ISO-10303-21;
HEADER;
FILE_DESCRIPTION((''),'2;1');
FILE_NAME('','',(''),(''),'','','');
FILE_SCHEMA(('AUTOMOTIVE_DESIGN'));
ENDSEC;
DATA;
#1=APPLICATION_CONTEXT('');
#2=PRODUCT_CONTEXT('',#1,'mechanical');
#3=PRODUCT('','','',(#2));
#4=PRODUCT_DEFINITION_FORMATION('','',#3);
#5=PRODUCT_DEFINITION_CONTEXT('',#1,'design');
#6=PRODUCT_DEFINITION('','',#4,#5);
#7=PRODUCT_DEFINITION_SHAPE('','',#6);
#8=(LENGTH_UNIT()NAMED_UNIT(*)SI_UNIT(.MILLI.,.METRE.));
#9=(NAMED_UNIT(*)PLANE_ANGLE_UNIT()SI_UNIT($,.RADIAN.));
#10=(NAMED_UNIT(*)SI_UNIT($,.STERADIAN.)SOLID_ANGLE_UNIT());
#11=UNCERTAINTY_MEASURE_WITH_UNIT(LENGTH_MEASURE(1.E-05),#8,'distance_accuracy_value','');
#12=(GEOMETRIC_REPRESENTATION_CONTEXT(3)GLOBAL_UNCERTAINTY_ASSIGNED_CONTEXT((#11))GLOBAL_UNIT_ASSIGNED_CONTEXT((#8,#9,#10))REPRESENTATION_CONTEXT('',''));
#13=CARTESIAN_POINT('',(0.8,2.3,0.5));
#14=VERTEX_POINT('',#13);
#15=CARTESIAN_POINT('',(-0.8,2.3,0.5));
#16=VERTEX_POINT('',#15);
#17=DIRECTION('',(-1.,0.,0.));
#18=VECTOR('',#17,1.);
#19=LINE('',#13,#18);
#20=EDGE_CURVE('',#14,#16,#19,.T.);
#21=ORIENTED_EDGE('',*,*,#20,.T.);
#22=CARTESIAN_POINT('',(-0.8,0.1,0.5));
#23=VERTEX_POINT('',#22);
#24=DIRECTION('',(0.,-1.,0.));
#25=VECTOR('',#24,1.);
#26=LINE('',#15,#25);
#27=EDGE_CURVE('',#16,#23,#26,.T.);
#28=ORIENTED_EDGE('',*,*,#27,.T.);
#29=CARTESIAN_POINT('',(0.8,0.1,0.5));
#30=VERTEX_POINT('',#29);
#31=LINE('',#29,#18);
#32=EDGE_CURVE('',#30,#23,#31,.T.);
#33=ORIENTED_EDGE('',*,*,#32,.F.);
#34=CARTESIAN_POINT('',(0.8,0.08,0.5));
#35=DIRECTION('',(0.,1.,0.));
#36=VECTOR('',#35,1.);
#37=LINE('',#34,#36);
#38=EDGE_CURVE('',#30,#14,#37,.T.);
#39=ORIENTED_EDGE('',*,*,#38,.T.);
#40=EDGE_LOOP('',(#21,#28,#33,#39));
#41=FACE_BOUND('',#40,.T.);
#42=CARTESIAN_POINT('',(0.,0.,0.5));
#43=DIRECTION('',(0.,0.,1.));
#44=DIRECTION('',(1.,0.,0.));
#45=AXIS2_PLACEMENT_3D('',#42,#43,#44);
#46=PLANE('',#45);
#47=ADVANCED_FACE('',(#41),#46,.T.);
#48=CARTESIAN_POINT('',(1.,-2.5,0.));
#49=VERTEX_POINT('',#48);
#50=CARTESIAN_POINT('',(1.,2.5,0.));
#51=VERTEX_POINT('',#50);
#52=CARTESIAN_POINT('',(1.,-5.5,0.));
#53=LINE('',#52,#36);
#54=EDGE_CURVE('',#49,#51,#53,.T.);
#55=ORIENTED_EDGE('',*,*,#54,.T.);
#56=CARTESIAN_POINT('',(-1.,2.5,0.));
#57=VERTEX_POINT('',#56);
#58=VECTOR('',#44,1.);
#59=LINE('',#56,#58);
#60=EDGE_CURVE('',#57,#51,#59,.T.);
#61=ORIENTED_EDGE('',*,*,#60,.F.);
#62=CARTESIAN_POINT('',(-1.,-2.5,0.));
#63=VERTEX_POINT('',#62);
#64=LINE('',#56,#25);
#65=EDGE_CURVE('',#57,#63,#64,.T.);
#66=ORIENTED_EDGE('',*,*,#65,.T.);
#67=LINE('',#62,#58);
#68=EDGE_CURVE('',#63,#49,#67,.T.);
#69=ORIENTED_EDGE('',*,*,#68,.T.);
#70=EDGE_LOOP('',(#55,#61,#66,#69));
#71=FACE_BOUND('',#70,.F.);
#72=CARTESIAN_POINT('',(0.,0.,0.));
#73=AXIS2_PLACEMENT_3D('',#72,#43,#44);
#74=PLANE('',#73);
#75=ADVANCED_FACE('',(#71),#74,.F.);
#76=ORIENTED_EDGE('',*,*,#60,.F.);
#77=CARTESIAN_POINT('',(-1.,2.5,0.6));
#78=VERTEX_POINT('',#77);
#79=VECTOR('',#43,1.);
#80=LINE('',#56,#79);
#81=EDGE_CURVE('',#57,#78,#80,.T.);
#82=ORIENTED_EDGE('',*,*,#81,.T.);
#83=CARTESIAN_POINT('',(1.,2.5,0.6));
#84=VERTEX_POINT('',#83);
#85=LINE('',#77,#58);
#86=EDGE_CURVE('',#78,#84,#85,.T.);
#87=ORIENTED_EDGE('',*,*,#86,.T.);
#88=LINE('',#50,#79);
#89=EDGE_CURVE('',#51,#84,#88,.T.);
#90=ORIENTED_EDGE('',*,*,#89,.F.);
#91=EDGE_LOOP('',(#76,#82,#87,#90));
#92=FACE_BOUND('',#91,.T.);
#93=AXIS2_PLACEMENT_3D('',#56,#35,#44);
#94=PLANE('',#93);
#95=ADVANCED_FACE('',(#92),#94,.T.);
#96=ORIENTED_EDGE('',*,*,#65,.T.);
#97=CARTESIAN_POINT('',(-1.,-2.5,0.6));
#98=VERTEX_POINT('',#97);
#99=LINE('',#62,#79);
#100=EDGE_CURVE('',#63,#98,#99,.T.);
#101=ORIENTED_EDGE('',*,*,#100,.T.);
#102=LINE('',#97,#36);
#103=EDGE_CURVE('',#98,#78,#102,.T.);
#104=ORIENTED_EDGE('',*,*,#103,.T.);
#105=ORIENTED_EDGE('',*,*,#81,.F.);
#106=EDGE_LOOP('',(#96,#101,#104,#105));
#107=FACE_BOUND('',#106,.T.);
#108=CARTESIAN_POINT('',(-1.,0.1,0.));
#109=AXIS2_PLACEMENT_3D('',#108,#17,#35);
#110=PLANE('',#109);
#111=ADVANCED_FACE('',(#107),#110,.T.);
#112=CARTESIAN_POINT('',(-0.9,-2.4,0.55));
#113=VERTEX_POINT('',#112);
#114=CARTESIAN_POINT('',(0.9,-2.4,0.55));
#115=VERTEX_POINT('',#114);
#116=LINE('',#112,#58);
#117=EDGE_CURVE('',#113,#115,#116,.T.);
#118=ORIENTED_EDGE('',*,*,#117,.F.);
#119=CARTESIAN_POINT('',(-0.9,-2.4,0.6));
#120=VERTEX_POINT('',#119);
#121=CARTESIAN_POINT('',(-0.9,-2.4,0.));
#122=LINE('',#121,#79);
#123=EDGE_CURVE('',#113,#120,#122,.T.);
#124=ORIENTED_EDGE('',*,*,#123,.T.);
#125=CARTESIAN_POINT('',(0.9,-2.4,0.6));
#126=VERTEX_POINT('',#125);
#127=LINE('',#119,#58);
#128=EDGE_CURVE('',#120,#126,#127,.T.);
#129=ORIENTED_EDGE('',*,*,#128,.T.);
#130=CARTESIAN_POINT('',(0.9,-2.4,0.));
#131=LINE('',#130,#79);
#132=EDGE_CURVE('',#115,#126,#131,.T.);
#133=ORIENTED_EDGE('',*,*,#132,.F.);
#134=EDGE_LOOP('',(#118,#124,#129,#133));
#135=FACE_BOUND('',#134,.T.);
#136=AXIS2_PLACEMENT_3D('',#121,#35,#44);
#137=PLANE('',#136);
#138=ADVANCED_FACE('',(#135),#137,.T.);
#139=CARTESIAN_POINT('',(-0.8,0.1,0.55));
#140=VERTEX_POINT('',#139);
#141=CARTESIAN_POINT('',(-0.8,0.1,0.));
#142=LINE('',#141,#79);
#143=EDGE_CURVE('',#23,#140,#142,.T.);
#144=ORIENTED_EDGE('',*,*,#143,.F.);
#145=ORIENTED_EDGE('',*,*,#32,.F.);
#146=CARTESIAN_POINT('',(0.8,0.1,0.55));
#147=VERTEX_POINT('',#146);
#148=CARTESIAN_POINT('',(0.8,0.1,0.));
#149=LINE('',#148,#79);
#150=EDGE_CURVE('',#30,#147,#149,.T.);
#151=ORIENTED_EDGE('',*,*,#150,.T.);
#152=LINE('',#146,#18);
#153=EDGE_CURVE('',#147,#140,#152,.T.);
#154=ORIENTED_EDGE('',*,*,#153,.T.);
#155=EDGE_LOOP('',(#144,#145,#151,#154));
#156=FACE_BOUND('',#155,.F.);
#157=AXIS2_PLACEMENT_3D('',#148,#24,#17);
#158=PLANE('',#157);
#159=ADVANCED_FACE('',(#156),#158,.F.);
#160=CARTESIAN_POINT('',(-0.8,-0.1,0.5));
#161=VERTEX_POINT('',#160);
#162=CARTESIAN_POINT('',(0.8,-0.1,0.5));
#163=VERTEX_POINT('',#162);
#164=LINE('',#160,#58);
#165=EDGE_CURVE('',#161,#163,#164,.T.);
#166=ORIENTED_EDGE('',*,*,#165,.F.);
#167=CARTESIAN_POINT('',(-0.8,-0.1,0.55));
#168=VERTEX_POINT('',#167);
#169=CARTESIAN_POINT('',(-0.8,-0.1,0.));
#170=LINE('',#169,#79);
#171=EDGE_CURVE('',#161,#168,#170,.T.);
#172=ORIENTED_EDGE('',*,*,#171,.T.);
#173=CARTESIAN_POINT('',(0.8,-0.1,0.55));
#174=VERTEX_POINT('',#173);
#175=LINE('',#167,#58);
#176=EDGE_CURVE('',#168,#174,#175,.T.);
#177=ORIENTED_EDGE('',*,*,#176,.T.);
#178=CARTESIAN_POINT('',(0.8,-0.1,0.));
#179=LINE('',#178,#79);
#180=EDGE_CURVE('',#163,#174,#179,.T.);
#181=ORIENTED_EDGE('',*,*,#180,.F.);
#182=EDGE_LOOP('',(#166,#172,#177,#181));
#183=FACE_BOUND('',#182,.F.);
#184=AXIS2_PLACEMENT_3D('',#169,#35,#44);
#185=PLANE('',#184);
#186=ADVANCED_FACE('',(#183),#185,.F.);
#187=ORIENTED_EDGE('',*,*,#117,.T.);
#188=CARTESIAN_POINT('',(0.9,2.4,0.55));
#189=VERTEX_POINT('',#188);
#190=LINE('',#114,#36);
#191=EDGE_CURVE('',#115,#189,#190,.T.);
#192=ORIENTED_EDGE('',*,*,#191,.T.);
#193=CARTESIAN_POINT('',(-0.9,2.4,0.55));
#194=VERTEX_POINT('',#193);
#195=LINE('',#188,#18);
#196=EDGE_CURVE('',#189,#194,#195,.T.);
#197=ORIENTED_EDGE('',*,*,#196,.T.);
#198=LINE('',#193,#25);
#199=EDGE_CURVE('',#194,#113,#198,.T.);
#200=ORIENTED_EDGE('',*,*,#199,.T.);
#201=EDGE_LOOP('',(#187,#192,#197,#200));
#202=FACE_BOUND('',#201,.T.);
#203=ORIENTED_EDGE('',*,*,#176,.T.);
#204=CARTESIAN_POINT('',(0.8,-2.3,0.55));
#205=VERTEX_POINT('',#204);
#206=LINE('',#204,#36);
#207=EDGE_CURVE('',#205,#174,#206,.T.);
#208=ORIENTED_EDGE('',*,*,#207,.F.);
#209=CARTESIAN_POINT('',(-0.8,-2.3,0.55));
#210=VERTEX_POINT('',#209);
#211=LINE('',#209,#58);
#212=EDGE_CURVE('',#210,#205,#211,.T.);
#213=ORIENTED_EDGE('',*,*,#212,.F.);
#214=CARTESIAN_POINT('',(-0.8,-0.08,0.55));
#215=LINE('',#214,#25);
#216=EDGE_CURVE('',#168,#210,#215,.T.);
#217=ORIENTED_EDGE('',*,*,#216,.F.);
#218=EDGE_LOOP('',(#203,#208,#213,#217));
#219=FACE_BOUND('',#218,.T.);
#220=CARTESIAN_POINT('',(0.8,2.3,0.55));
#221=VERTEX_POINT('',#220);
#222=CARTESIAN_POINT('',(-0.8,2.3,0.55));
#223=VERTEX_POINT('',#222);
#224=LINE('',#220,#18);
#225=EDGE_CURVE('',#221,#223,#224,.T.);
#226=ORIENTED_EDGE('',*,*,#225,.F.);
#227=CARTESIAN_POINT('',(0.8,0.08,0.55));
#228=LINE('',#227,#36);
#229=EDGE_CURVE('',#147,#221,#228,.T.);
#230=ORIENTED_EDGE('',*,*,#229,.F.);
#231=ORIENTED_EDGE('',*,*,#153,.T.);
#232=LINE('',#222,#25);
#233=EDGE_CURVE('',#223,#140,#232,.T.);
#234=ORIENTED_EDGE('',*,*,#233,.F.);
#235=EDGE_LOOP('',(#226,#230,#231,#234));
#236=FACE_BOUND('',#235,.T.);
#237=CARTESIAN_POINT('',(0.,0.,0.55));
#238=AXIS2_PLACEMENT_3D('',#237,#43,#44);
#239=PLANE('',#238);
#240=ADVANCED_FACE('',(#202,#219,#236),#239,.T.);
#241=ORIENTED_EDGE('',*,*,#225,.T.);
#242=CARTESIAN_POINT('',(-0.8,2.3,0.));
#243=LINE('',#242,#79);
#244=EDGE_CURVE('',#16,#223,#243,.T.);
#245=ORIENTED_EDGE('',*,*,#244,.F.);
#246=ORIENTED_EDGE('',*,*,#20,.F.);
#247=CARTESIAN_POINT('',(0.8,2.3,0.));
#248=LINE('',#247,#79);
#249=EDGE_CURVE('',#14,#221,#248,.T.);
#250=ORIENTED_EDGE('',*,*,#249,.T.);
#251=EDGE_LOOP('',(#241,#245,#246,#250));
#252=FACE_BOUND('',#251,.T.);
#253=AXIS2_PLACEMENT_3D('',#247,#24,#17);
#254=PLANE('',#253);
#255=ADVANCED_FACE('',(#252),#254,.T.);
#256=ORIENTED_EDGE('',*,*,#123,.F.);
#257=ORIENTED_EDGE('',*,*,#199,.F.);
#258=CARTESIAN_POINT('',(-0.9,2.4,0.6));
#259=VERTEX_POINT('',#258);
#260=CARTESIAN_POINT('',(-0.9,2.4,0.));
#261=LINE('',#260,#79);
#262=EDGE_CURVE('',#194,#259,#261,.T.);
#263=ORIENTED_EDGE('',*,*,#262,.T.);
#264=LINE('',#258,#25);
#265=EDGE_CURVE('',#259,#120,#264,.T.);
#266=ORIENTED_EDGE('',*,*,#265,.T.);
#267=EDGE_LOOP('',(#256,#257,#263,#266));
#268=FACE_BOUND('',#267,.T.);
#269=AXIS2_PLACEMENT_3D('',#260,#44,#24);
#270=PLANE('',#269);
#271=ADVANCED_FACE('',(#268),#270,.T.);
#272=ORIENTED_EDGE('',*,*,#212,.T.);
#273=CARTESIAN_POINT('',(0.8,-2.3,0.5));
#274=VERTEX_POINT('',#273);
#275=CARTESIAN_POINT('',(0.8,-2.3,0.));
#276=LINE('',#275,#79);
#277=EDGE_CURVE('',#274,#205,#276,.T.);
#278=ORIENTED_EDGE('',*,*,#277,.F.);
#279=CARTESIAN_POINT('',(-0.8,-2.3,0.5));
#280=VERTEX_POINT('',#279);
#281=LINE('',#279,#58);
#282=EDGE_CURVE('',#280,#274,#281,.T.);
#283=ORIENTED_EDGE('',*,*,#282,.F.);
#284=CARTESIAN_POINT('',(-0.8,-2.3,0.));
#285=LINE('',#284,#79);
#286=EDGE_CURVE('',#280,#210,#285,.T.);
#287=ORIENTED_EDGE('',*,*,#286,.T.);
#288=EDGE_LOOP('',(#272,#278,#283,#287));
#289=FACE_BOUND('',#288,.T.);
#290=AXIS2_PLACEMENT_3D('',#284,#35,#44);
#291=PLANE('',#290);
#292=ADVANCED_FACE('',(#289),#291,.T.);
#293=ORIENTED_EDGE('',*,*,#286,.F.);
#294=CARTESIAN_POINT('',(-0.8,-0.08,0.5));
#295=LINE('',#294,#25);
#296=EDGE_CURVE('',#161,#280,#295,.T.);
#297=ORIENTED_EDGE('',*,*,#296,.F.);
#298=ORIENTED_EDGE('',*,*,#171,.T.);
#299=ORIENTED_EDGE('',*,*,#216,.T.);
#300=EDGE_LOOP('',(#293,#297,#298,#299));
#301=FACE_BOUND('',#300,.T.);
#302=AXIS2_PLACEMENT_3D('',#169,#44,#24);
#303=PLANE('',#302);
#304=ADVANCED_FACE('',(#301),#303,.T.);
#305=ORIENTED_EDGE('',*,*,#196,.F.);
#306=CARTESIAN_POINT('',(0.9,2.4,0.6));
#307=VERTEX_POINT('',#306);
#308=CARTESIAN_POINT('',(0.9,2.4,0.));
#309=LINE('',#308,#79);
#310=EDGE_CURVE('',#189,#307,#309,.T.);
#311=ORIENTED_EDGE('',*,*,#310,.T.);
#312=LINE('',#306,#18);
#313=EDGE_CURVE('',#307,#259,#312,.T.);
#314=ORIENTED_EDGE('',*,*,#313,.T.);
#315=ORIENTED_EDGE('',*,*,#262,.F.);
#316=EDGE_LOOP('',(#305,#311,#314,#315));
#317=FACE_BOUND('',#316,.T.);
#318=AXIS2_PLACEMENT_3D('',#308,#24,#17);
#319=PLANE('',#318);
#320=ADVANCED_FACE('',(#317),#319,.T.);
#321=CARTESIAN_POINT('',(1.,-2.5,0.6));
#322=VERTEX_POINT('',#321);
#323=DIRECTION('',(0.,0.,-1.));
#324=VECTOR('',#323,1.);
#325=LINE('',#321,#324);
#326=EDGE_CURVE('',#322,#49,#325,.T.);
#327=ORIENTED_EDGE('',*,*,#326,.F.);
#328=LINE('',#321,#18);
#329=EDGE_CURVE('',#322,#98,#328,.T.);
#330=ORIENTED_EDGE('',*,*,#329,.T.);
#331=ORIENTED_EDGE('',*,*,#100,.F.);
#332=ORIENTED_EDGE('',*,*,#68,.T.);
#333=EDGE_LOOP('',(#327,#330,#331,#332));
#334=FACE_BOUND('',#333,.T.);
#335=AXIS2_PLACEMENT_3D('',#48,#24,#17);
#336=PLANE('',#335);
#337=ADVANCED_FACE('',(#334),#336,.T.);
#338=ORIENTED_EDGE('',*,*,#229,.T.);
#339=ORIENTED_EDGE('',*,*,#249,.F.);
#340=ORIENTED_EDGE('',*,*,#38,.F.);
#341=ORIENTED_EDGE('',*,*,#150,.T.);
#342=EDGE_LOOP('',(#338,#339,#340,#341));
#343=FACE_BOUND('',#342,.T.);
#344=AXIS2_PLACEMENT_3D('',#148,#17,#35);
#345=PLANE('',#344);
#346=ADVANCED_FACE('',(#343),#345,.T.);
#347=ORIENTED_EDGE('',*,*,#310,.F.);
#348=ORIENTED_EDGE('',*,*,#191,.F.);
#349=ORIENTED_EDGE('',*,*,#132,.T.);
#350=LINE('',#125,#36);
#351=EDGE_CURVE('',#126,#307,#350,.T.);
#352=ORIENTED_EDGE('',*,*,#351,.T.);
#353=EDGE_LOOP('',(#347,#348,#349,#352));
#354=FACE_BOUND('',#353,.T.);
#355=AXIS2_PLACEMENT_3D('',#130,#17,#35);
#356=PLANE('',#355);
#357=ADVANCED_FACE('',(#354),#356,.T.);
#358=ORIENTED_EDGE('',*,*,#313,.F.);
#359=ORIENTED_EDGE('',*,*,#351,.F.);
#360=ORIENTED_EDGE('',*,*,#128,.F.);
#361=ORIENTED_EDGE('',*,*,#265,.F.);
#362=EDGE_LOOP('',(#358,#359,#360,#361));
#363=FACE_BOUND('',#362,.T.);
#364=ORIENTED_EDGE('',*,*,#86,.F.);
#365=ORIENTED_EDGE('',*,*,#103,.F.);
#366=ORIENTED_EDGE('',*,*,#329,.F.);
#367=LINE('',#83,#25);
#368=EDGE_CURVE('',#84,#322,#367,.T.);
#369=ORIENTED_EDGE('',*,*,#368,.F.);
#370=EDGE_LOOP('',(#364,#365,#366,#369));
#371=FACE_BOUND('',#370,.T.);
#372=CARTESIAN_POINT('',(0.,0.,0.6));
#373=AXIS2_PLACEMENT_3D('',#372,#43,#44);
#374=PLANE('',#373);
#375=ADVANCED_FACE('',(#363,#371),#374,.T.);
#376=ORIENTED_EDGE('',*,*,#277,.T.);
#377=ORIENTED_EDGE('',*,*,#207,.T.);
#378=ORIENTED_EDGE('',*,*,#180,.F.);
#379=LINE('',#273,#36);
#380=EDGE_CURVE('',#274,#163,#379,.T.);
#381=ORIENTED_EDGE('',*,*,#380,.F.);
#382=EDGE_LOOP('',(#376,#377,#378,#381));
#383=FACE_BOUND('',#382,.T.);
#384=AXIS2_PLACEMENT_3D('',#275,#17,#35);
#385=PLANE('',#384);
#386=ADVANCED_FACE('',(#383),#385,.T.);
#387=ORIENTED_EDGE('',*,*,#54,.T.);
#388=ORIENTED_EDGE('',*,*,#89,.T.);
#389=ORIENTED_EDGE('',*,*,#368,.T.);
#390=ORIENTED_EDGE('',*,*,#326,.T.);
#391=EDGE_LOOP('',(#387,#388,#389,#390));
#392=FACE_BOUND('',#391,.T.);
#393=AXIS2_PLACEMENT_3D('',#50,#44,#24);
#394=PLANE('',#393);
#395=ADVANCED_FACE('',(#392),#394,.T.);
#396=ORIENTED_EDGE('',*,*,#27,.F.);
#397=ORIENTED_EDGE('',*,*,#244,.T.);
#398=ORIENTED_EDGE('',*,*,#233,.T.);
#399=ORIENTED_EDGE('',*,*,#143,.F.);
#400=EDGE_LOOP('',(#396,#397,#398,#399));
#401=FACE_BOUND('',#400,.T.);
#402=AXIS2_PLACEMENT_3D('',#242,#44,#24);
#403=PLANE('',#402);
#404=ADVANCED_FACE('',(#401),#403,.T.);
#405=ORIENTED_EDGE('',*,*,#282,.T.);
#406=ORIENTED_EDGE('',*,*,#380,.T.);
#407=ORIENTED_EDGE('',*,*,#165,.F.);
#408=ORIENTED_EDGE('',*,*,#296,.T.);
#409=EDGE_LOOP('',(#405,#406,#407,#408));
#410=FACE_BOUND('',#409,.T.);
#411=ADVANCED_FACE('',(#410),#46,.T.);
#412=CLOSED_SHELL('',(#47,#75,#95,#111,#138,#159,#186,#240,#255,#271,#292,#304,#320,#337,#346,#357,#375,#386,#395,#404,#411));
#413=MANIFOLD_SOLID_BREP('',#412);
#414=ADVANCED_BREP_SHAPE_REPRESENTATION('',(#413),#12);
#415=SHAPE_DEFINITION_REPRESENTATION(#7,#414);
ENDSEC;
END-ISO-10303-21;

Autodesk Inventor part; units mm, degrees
ref_plane "YZ Plane" through (0, 0, 0) normal (1, 0, 0) x (0, 1, 0)
ref_plane "XZ Plane" through (0, 0, 0) normal (0, 1, 0) x (-1, 0, 0)
ref_plane "XY Plane" through (0, 0, 0) normal (0, 0, 1) x (1, 0, 0)
sketch "草圖1" plane through (0, 0, 0) normal (0, 0, 1) x (1, 0, 0)
  line L0 (-1, 2.5) -> (1, 2.5)
  line L1 (1, 2.5) -> (1, -2.5)
  line L2 (1, -2.5) -> (-1, -2.5)
  line L3 (-1, -2.5) -> (-1, 2.5)
  line L4 (-1, 2.5) -> (1, -2.5) construction
  line L5 (1, 2.5) -> (-1, -2.5) construction
  line L6 (-0.8, -0.1) -> (0.8, -0.1)
  line L7 (1, -0.1) -> (1, 0.1)
  line L8 (0.8, 0.1) -> (-0.8, 0.1)
  line L9 (-1, 0.1) -> (-1, -0.1)
  line L10 (-1, -0.1) -> (1, 0.1) construction
  line L11 (1, -0.1) -> (-1, 0.1) construction
  line L12 (-0.8, -2.3) -> (0.8, -2.3)
  line L13 (0.8, 2.3) -> (-0.8, 2.3)
  line L14 (-0.8, 2.3) -> (0.8, -2.3) construction
  line L15 (-0.8, -2.3) -> (0.8, 2.3) construction
  line L16 (0.8, -2.3) -> (0.8, -0.08)
  line L17 (0.8, 0.08) -> (0.8, 2.3)
  line L18 (-0.8, 2.3) -> (-0.8, 0.08)
  line L19 (-0.8, -0.08) -> (-0.8, -2.3)
  line L20 (-1, -2.5) -> (1, -2.5)
  line L21 (1, -2.5) -> (1, -5.5)
  line L22 (1, -5.5) -> (-1, -5.5)
  line L23 (-1, -5.5) -> (-1, -2.5)
  line L24 (-0.9, -2.4) -> (0.9, -2.4)
  line L25 (0.9, -2.4) -> (0.9, 2.4)
  line L26 (0.9, 2.4) -> (-0.9, 2.4)
  line L27 (-0.9, 2.4) -> (-0.9, -2.4)
  line L28 (-0.9, -2.4) -> (0.9, 2.4) construction
  line L29 (0.9, -2.4) -> (-0.9, 2.4) construction
  point P0 (0, 0)
  dimension "d0" = 2
  dimension "d1" = 5
  dimension "d4" = 0.2
  dimension "d5" = 4.6
  dimension "d6" = 1.6
  dimension "d7" = 3
  dimension "d12" = 1.8
  dimension "d13" = 4.8
extrude "擠出4" add sketch "草圖1" along normal blind 0.6 contours L0 L1 L2 L3
extrude "擠出5" add sketch "草圖1" along normal blind 0.55 contours L27 L26 L25 L24
extrude "擠出6" add sketch "草圖1" along normal blind 0.5 contours L2 L21 L22 L23 | L6 L16 L12 L19 | L8 L18 L13 L17
sketch "草圖3" plane through (-1, -2.5, 0.6) normal (-1, 0, 0) x (0, 0, 1)
  line L0 (-0.6, 5) -> (-0.6, -3) projected
  line L1 (-0.6, -3) -> (-0.1, -3) projected
  line L2 (-0.1, 0) -> (-0.1, -3) projected
  line L3 (-0.1, 0) -> (0, 0) projected
  line L4 (0, 5) -> (0, 0) projected
  line L5 (-0.6, 5) -> (0, 5) projected
  line L6 (-0.6, 0) -> (-0.1, 0)
  line L7 (-0.1, 0) -> (-0.1, -3)
  line L8 (-0.1, -3) -> (-0.6, -3)
  line L9 (-0.6, -3) -> (-0.6, 0)
  point P0 (-0.6, 2.5)
extrude "擠出8" cut sketch "草圖3" against normal blind 2 contours L6 L2 L1 L0
properties part number "窗_無底" material "木材 (胡桃木)"
